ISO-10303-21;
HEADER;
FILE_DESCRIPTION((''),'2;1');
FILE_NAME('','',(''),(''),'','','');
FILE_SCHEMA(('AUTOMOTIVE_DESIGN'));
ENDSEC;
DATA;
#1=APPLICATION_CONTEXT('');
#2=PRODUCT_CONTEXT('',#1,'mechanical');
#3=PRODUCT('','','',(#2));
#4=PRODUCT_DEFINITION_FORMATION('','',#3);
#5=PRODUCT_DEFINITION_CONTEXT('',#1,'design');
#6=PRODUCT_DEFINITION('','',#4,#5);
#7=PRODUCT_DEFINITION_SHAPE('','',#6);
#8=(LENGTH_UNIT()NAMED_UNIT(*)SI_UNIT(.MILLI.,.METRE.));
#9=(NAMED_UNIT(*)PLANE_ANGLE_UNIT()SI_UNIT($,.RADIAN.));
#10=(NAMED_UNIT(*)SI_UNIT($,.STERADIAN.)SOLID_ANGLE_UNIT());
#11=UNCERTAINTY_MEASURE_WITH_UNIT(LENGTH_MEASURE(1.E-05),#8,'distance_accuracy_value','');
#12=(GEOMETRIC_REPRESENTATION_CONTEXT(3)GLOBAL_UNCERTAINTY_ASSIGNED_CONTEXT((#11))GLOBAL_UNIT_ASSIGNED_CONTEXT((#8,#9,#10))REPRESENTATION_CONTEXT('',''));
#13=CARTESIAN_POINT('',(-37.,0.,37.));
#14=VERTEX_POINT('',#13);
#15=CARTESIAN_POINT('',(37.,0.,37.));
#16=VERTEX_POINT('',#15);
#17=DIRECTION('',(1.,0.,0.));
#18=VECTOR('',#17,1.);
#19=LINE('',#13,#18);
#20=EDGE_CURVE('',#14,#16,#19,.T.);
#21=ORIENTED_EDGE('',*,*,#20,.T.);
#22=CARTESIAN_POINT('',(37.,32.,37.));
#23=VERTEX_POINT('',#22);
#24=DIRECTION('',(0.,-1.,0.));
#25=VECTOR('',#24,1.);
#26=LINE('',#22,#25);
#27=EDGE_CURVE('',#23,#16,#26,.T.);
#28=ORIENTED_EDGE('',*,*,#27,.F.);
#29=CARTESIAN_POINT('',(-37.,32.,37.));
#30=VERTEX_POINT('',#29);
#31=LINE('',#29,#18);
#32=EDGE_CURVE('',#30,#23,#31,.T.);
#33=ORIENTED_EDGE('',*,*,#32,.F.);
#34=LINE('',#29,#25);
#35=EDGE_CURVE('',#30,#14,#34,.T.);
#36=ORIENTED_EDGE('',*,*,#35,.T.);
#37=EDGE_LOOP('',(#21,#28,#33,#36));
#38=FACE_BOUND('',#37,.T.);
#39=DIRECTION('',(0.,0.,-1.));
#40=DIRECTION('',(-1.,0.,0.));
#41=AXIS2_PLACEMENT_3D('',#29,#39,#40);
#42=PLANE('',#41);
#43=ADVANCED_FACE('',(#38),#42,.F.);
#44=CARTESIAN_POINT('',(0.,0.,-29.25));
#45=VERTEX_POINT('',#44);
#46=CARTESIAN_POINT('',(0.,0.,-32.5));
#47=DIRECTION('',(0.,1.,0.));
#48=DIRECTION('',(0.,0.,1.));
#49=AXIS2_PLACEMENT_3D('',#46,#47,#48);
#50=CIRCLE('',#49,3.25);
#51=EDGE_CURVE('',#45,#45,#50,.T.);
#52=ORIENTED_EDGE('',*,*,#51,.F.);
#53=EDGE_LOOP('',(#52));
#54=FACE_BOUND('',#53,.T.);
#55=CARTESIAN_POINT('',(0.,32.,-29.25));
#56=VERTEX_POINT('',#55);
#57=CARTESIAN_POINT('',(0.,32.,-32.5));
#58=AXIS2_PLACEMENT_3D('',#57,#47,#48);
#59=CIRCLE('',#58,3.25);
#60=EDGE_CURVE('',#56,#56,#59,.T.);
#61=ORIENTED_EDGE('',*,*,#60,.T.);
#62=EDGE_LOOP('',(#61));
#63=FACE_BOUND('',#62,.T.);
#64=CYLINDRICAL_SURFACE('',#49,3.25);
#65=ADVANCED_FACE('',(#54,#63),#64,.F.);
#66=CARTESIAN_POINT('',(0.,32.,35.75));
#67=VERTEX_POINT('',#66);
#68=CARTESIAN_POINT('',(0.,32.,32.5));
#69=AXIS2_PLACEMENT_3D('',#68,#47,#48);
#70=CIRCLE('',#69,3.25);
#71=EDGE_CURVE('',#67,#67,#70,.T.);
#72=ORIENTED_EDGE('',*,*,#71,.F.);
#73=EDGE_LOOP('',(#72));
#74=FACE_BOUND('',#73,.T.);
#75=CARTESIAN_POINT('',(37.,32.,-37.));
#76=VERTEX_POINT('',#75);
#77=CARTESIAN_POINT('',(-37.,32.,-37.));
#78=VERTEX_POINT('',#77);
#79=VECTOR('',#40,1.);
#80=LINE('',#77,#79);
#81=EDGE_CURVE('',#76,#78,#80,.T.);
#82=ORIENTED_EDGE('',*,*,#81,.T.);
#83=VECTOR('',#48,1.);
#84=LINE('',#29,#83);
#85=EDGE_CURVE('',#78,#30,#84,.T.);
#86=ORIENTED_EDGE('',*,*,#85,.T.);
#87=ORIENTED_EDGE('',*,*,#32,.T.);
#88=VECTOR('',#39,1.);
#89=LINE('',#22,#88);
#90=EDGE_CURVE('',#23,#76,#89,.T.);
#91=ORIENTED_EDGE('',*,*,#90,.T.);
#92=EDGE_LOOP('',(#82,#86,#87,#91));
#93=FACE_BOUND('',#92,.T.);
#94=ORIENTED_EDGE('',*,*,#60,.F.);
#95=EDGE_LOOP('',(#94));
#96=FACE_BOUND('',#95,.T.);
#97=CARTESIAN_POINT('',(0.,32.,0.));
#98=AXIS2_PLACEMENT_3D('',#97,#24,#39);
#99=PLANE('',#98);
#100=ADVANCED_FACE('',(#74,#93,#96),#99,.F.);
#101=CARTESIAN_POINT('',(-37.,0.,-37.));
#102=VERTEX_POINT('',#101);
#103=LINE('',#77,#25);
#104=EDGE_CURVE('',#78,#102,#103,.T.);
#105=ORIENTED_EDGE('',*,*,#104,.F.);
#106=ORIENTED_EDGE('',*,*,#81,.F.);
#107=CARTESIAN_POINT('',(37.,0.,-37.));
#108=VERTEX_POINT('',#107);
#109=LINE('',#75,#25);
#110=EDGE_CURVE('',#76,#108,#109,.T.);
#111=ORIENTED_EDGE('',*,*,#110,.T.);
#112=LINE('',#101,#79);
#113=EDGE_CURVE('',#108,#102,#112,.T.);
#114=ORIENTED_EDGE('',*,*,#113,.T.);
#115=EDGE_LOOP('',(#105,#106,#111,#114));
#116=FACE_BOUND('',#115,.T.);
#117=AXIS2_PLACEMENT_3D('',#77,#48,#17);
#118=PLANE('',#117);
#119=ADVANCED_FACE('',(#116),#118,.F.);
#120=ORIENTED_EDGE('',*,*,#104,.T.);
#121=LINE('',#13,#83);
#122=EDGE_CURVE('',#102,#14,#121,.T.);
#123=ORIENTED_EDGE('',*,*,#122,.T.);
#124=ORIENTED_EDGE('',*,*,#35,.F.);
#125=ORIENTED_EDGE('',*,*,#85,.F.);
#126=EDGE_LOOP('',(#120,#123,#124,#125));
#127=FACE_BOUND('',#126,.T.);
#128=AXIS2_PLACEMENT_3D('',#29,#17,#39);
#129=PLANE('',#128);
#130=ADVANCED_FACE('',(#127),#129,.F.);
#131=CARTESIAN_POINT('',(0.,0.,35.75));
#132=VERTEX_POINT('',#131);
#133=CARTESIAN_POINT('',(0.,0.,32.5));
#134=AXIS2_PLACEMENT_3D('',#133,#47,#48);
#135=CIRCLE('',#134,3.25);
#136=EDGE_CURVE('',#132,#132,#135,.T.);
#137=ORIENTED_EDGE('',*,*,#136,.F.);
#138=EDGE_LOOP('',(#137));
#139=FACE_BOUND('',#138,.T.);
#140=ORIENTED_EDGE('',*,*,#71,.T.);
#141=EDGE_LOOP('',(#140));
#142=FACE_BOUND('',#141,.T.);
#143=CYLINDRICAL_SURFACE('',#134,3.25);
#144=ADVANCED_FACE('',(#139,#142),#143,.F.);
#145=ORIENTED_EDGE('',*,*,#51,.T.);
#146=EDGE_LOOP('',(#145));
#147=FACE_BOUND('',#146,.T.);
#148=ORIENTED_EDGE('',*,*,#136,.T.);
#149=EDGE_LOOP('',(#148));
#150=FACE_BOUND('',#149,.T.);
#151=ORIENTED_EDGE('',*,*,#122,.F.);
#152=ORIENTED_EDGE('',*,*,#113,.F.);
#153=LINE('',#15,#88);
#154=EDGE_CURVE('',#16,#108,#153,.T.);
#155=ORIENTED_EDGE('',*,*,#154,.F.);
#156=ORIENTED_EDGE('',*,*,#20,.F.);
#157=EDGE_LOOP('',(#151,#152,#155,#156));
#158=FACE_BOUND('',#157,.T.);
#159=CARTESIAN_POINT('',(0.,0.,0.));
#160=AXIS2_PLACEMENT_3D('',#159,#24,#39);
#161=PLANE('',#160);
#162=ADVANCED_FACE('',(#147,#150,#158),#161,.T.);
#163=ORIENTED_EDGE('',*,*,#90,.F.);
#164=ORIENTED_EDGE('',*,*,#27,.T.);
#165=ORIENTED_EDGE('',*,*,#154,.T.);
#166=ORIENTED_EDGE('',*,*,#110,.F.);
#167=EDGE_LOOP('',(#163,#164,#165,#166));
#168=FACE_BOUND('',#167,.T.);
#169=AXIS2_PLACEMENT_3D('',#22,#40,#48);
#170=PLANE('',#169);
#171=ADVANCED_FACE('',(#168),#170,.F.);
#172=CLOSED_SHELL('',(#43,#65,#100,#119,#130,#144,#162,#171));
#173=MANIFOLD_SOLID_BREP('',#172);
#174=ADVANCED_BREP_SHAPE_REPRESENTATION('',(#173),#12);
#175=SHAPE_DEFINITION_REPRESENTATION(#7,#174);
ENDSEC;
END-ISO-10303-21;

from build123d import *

# Parameters (mm, degrees)
SKETCH_1_W          = 74
SKETCH_1_H          = 74
EXTRUDE_1_DEPTH     = 32
SKETCH_2_R          = 3.25
CUT_EXTRUDE_1_DEPTH = 33


with BuildPart() as part:
    # 草图1 → 凸台-拉伸1 (new body)
    with BuildSketch(Plane(origin=(0, 0, 0), x_dir=(1, 0, 0), z_dir=(0, 1, 0))):
        Rectangle(SKETCH_1_W, SKETCH_1_H)
    extrude(amount=EXTRUDE_1_DEPTH)

    # 草图2 → 切除-拉伸1 (cut, through all)
    with BuildSketch(Plane(origin=(0, 32, 0), x_dir=(1, 0, 0), z_dir=(0, 1, 0))):
        with Locations((0, 32.5)):
            Circle(SKETCH_2_R)
        with Locations((0, -32.5)):
            Circle(SKETCH_2_R)
    extrude(amount=-CUT_EXTRUDE_1_DEPTH, mode=Mode.SUBTRACT)


solid = part.part
